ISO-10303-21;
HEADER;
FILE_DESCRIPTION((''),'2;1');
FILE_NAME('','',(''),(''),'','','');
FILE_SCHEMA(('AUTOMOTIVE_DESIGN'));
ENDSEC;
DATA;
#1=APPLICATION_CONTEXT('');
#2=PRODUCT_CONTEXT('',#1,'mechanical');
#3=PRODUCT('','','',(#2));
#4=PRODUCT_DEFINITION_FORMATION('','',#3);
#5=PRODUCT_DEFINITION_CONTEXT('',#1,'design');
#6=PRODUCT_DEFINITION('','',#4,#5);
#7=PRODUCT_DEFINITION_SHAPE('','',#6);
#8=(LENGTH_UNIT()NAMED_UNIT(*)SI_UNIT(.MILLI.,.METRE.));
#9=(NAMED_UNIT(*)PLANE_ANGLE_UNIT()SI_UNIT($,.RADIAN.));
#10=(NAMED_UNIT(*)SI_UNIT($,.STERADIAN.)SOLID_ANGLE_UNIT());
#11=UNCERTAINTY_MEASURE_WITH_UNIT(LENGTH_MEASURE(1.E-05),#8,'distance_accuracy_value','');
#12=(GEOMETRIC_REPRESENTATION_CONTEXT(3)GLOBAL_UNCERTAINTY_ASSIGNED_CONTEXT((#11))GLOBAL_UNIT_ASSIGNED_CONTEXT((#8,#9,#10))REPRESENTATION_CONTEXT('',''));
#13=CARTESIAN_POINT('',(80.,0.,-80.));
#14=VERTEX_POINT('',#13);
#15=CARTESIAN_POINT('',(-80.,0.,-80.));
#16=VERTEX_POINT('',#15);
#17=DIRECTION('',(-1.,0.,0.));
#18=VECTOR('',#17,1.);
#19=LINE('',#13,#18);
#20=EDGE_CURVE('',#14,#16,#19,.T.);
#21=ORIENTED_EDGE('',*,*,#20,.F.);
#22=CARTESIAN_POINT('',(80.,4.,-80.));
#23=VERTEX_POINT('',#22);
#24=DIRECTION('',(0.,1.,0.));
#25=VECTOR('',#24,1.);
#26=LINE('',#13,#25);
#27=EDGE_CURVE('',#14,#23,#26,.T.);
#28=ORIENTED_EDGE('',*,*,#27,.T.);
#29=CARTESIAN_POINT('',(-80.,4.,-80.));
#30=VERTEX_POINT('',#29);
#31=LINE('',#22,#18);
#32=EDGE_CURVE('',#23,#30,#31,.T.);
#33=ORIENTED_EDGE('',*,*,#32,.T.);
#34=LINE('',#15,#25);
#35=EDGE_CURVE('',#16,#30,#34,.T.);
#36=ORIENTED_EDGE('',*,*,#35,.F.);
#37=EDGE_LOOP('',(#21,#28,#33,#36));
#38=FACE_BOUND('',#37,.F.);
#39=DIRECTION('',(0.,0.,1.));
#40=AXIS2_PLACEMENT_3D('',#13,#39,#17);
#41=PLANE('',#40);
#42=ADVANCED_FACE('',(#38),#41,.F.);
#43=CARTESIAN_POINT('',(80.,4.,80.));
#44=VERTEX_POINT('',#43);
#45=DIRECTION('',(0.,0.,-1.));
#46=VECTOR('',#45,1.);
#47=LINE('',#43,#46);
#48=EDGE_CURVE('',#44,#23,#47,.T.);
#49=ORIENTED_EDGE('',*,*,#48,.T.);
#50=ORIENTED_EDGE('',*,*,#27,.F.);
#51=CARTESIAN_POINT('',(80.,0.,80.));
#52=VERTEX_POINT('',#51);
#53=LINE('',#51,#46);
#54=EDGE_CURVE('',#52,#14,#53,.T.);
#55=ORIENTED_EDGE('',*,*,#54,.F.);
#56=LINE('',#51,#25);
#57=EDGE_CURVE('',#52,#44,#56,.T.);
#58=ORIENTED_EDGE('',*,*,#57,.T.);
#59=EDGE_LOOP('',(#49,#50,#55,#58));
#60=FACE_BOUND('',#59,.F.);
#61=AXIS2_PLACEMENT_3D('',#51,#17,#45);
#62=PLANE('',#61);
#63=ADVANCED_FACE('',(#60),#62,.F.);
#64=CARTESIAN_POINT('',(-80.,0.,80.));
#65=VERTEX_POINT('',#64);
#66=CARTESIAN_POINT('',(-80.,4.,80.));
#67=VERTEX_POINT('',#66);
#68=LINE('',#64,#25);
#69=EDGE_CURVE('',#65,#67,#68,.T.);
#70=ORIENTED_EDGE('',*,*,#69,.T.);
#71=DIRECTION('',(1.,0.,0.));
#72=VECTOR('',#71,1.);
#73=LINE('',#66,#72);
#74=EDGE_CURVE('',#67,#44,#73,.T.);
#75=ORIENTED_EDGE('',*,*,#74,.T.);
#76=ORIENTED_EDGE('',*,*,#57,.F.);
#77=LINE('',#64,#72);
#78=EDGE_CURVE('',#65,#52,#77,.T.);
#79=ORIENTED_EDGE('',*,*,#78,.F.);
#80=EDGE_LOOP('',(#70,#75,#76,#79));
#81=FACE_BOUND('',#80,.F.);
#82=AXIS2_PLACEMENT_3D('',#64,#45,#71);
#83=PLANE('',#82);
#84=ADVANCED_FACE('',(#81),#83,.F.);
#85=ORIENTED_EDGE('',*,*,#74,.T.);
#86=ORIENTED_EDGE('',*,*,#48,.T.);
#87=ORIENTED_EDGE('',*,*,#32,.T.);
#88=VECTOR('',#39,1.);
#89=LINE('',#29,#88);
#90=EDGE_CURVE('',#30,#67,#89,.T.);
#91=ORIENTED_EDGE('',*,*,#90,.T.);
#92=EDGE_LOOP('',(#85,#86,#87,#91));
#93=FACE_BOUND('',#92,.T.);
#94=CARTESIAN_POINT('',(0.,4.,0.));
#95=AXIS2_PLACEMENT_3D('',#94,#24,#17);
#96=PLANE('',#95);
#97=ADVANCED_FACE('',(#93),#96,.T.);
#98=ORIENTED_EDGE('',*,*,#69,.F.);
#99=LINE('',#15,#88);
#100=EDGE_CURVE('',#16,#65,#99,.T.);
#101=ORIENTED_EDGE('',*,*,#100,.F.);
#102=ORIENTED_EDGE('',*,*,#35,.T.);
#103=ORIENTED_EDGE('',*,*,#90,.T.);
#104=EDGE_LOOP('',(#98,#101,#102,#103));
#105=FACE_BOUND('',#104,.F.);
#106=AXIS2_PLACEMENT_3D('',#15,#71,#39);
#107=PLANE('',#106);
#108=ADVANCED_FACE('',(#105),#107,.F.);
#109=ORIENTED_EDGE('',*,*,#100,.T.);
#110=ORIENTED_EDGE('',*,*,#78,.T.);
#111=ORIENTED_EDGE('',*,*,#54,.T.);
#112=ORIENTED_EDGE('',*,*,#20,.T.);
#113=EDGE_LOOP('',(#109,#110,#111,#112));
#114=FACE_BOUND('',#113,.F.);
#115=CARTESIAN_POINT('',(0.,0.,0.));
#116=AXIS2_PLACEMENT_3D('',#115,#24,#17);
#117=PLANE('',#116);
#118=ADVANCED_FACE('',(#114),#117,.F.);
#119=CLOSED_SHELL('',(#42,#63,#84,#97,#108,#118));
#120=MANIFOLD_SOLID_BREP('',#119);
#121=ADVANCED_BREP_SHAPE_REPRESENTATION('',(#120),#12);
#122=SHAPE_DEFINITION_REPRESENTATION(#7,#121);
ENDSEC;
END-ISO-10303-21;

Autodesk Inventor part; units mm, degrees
ref_plane "YZ Plane" through (0, 0, 0) normal (1, 0, 0) x (0, 1, 0)
ref_plane "XZ Plane" through (0, 0, 0) normal (0, 1, 0) x (-1, 0, 0)
ref_plane "XY Plane" through (0, 0, 0) normal (0, 0, 1) x (1, 0, 0)
sketch "Sketch1" plane through (0, 0, 0) normal (0, 1, 0) x (-1, 0, 0)
  line L0 (80, 80) -> (-80, 80)
  line L1 (-80, 80) -> (-80, -80)
  line L2 (-80, -80) -> (80, -80)
  line L3 (80, -80) -> (80, 80)
  point P0 (0, 0)
  point P1 (0, -80)
  dimension "d0" = 160
  dimension "d1" = 80
  dimension "d2" = 160
  dimension "d3" = 80
extrude "Extrusion1" add sketch "Sketch1" along normal blind 4
properties part number "Acrylic top"
